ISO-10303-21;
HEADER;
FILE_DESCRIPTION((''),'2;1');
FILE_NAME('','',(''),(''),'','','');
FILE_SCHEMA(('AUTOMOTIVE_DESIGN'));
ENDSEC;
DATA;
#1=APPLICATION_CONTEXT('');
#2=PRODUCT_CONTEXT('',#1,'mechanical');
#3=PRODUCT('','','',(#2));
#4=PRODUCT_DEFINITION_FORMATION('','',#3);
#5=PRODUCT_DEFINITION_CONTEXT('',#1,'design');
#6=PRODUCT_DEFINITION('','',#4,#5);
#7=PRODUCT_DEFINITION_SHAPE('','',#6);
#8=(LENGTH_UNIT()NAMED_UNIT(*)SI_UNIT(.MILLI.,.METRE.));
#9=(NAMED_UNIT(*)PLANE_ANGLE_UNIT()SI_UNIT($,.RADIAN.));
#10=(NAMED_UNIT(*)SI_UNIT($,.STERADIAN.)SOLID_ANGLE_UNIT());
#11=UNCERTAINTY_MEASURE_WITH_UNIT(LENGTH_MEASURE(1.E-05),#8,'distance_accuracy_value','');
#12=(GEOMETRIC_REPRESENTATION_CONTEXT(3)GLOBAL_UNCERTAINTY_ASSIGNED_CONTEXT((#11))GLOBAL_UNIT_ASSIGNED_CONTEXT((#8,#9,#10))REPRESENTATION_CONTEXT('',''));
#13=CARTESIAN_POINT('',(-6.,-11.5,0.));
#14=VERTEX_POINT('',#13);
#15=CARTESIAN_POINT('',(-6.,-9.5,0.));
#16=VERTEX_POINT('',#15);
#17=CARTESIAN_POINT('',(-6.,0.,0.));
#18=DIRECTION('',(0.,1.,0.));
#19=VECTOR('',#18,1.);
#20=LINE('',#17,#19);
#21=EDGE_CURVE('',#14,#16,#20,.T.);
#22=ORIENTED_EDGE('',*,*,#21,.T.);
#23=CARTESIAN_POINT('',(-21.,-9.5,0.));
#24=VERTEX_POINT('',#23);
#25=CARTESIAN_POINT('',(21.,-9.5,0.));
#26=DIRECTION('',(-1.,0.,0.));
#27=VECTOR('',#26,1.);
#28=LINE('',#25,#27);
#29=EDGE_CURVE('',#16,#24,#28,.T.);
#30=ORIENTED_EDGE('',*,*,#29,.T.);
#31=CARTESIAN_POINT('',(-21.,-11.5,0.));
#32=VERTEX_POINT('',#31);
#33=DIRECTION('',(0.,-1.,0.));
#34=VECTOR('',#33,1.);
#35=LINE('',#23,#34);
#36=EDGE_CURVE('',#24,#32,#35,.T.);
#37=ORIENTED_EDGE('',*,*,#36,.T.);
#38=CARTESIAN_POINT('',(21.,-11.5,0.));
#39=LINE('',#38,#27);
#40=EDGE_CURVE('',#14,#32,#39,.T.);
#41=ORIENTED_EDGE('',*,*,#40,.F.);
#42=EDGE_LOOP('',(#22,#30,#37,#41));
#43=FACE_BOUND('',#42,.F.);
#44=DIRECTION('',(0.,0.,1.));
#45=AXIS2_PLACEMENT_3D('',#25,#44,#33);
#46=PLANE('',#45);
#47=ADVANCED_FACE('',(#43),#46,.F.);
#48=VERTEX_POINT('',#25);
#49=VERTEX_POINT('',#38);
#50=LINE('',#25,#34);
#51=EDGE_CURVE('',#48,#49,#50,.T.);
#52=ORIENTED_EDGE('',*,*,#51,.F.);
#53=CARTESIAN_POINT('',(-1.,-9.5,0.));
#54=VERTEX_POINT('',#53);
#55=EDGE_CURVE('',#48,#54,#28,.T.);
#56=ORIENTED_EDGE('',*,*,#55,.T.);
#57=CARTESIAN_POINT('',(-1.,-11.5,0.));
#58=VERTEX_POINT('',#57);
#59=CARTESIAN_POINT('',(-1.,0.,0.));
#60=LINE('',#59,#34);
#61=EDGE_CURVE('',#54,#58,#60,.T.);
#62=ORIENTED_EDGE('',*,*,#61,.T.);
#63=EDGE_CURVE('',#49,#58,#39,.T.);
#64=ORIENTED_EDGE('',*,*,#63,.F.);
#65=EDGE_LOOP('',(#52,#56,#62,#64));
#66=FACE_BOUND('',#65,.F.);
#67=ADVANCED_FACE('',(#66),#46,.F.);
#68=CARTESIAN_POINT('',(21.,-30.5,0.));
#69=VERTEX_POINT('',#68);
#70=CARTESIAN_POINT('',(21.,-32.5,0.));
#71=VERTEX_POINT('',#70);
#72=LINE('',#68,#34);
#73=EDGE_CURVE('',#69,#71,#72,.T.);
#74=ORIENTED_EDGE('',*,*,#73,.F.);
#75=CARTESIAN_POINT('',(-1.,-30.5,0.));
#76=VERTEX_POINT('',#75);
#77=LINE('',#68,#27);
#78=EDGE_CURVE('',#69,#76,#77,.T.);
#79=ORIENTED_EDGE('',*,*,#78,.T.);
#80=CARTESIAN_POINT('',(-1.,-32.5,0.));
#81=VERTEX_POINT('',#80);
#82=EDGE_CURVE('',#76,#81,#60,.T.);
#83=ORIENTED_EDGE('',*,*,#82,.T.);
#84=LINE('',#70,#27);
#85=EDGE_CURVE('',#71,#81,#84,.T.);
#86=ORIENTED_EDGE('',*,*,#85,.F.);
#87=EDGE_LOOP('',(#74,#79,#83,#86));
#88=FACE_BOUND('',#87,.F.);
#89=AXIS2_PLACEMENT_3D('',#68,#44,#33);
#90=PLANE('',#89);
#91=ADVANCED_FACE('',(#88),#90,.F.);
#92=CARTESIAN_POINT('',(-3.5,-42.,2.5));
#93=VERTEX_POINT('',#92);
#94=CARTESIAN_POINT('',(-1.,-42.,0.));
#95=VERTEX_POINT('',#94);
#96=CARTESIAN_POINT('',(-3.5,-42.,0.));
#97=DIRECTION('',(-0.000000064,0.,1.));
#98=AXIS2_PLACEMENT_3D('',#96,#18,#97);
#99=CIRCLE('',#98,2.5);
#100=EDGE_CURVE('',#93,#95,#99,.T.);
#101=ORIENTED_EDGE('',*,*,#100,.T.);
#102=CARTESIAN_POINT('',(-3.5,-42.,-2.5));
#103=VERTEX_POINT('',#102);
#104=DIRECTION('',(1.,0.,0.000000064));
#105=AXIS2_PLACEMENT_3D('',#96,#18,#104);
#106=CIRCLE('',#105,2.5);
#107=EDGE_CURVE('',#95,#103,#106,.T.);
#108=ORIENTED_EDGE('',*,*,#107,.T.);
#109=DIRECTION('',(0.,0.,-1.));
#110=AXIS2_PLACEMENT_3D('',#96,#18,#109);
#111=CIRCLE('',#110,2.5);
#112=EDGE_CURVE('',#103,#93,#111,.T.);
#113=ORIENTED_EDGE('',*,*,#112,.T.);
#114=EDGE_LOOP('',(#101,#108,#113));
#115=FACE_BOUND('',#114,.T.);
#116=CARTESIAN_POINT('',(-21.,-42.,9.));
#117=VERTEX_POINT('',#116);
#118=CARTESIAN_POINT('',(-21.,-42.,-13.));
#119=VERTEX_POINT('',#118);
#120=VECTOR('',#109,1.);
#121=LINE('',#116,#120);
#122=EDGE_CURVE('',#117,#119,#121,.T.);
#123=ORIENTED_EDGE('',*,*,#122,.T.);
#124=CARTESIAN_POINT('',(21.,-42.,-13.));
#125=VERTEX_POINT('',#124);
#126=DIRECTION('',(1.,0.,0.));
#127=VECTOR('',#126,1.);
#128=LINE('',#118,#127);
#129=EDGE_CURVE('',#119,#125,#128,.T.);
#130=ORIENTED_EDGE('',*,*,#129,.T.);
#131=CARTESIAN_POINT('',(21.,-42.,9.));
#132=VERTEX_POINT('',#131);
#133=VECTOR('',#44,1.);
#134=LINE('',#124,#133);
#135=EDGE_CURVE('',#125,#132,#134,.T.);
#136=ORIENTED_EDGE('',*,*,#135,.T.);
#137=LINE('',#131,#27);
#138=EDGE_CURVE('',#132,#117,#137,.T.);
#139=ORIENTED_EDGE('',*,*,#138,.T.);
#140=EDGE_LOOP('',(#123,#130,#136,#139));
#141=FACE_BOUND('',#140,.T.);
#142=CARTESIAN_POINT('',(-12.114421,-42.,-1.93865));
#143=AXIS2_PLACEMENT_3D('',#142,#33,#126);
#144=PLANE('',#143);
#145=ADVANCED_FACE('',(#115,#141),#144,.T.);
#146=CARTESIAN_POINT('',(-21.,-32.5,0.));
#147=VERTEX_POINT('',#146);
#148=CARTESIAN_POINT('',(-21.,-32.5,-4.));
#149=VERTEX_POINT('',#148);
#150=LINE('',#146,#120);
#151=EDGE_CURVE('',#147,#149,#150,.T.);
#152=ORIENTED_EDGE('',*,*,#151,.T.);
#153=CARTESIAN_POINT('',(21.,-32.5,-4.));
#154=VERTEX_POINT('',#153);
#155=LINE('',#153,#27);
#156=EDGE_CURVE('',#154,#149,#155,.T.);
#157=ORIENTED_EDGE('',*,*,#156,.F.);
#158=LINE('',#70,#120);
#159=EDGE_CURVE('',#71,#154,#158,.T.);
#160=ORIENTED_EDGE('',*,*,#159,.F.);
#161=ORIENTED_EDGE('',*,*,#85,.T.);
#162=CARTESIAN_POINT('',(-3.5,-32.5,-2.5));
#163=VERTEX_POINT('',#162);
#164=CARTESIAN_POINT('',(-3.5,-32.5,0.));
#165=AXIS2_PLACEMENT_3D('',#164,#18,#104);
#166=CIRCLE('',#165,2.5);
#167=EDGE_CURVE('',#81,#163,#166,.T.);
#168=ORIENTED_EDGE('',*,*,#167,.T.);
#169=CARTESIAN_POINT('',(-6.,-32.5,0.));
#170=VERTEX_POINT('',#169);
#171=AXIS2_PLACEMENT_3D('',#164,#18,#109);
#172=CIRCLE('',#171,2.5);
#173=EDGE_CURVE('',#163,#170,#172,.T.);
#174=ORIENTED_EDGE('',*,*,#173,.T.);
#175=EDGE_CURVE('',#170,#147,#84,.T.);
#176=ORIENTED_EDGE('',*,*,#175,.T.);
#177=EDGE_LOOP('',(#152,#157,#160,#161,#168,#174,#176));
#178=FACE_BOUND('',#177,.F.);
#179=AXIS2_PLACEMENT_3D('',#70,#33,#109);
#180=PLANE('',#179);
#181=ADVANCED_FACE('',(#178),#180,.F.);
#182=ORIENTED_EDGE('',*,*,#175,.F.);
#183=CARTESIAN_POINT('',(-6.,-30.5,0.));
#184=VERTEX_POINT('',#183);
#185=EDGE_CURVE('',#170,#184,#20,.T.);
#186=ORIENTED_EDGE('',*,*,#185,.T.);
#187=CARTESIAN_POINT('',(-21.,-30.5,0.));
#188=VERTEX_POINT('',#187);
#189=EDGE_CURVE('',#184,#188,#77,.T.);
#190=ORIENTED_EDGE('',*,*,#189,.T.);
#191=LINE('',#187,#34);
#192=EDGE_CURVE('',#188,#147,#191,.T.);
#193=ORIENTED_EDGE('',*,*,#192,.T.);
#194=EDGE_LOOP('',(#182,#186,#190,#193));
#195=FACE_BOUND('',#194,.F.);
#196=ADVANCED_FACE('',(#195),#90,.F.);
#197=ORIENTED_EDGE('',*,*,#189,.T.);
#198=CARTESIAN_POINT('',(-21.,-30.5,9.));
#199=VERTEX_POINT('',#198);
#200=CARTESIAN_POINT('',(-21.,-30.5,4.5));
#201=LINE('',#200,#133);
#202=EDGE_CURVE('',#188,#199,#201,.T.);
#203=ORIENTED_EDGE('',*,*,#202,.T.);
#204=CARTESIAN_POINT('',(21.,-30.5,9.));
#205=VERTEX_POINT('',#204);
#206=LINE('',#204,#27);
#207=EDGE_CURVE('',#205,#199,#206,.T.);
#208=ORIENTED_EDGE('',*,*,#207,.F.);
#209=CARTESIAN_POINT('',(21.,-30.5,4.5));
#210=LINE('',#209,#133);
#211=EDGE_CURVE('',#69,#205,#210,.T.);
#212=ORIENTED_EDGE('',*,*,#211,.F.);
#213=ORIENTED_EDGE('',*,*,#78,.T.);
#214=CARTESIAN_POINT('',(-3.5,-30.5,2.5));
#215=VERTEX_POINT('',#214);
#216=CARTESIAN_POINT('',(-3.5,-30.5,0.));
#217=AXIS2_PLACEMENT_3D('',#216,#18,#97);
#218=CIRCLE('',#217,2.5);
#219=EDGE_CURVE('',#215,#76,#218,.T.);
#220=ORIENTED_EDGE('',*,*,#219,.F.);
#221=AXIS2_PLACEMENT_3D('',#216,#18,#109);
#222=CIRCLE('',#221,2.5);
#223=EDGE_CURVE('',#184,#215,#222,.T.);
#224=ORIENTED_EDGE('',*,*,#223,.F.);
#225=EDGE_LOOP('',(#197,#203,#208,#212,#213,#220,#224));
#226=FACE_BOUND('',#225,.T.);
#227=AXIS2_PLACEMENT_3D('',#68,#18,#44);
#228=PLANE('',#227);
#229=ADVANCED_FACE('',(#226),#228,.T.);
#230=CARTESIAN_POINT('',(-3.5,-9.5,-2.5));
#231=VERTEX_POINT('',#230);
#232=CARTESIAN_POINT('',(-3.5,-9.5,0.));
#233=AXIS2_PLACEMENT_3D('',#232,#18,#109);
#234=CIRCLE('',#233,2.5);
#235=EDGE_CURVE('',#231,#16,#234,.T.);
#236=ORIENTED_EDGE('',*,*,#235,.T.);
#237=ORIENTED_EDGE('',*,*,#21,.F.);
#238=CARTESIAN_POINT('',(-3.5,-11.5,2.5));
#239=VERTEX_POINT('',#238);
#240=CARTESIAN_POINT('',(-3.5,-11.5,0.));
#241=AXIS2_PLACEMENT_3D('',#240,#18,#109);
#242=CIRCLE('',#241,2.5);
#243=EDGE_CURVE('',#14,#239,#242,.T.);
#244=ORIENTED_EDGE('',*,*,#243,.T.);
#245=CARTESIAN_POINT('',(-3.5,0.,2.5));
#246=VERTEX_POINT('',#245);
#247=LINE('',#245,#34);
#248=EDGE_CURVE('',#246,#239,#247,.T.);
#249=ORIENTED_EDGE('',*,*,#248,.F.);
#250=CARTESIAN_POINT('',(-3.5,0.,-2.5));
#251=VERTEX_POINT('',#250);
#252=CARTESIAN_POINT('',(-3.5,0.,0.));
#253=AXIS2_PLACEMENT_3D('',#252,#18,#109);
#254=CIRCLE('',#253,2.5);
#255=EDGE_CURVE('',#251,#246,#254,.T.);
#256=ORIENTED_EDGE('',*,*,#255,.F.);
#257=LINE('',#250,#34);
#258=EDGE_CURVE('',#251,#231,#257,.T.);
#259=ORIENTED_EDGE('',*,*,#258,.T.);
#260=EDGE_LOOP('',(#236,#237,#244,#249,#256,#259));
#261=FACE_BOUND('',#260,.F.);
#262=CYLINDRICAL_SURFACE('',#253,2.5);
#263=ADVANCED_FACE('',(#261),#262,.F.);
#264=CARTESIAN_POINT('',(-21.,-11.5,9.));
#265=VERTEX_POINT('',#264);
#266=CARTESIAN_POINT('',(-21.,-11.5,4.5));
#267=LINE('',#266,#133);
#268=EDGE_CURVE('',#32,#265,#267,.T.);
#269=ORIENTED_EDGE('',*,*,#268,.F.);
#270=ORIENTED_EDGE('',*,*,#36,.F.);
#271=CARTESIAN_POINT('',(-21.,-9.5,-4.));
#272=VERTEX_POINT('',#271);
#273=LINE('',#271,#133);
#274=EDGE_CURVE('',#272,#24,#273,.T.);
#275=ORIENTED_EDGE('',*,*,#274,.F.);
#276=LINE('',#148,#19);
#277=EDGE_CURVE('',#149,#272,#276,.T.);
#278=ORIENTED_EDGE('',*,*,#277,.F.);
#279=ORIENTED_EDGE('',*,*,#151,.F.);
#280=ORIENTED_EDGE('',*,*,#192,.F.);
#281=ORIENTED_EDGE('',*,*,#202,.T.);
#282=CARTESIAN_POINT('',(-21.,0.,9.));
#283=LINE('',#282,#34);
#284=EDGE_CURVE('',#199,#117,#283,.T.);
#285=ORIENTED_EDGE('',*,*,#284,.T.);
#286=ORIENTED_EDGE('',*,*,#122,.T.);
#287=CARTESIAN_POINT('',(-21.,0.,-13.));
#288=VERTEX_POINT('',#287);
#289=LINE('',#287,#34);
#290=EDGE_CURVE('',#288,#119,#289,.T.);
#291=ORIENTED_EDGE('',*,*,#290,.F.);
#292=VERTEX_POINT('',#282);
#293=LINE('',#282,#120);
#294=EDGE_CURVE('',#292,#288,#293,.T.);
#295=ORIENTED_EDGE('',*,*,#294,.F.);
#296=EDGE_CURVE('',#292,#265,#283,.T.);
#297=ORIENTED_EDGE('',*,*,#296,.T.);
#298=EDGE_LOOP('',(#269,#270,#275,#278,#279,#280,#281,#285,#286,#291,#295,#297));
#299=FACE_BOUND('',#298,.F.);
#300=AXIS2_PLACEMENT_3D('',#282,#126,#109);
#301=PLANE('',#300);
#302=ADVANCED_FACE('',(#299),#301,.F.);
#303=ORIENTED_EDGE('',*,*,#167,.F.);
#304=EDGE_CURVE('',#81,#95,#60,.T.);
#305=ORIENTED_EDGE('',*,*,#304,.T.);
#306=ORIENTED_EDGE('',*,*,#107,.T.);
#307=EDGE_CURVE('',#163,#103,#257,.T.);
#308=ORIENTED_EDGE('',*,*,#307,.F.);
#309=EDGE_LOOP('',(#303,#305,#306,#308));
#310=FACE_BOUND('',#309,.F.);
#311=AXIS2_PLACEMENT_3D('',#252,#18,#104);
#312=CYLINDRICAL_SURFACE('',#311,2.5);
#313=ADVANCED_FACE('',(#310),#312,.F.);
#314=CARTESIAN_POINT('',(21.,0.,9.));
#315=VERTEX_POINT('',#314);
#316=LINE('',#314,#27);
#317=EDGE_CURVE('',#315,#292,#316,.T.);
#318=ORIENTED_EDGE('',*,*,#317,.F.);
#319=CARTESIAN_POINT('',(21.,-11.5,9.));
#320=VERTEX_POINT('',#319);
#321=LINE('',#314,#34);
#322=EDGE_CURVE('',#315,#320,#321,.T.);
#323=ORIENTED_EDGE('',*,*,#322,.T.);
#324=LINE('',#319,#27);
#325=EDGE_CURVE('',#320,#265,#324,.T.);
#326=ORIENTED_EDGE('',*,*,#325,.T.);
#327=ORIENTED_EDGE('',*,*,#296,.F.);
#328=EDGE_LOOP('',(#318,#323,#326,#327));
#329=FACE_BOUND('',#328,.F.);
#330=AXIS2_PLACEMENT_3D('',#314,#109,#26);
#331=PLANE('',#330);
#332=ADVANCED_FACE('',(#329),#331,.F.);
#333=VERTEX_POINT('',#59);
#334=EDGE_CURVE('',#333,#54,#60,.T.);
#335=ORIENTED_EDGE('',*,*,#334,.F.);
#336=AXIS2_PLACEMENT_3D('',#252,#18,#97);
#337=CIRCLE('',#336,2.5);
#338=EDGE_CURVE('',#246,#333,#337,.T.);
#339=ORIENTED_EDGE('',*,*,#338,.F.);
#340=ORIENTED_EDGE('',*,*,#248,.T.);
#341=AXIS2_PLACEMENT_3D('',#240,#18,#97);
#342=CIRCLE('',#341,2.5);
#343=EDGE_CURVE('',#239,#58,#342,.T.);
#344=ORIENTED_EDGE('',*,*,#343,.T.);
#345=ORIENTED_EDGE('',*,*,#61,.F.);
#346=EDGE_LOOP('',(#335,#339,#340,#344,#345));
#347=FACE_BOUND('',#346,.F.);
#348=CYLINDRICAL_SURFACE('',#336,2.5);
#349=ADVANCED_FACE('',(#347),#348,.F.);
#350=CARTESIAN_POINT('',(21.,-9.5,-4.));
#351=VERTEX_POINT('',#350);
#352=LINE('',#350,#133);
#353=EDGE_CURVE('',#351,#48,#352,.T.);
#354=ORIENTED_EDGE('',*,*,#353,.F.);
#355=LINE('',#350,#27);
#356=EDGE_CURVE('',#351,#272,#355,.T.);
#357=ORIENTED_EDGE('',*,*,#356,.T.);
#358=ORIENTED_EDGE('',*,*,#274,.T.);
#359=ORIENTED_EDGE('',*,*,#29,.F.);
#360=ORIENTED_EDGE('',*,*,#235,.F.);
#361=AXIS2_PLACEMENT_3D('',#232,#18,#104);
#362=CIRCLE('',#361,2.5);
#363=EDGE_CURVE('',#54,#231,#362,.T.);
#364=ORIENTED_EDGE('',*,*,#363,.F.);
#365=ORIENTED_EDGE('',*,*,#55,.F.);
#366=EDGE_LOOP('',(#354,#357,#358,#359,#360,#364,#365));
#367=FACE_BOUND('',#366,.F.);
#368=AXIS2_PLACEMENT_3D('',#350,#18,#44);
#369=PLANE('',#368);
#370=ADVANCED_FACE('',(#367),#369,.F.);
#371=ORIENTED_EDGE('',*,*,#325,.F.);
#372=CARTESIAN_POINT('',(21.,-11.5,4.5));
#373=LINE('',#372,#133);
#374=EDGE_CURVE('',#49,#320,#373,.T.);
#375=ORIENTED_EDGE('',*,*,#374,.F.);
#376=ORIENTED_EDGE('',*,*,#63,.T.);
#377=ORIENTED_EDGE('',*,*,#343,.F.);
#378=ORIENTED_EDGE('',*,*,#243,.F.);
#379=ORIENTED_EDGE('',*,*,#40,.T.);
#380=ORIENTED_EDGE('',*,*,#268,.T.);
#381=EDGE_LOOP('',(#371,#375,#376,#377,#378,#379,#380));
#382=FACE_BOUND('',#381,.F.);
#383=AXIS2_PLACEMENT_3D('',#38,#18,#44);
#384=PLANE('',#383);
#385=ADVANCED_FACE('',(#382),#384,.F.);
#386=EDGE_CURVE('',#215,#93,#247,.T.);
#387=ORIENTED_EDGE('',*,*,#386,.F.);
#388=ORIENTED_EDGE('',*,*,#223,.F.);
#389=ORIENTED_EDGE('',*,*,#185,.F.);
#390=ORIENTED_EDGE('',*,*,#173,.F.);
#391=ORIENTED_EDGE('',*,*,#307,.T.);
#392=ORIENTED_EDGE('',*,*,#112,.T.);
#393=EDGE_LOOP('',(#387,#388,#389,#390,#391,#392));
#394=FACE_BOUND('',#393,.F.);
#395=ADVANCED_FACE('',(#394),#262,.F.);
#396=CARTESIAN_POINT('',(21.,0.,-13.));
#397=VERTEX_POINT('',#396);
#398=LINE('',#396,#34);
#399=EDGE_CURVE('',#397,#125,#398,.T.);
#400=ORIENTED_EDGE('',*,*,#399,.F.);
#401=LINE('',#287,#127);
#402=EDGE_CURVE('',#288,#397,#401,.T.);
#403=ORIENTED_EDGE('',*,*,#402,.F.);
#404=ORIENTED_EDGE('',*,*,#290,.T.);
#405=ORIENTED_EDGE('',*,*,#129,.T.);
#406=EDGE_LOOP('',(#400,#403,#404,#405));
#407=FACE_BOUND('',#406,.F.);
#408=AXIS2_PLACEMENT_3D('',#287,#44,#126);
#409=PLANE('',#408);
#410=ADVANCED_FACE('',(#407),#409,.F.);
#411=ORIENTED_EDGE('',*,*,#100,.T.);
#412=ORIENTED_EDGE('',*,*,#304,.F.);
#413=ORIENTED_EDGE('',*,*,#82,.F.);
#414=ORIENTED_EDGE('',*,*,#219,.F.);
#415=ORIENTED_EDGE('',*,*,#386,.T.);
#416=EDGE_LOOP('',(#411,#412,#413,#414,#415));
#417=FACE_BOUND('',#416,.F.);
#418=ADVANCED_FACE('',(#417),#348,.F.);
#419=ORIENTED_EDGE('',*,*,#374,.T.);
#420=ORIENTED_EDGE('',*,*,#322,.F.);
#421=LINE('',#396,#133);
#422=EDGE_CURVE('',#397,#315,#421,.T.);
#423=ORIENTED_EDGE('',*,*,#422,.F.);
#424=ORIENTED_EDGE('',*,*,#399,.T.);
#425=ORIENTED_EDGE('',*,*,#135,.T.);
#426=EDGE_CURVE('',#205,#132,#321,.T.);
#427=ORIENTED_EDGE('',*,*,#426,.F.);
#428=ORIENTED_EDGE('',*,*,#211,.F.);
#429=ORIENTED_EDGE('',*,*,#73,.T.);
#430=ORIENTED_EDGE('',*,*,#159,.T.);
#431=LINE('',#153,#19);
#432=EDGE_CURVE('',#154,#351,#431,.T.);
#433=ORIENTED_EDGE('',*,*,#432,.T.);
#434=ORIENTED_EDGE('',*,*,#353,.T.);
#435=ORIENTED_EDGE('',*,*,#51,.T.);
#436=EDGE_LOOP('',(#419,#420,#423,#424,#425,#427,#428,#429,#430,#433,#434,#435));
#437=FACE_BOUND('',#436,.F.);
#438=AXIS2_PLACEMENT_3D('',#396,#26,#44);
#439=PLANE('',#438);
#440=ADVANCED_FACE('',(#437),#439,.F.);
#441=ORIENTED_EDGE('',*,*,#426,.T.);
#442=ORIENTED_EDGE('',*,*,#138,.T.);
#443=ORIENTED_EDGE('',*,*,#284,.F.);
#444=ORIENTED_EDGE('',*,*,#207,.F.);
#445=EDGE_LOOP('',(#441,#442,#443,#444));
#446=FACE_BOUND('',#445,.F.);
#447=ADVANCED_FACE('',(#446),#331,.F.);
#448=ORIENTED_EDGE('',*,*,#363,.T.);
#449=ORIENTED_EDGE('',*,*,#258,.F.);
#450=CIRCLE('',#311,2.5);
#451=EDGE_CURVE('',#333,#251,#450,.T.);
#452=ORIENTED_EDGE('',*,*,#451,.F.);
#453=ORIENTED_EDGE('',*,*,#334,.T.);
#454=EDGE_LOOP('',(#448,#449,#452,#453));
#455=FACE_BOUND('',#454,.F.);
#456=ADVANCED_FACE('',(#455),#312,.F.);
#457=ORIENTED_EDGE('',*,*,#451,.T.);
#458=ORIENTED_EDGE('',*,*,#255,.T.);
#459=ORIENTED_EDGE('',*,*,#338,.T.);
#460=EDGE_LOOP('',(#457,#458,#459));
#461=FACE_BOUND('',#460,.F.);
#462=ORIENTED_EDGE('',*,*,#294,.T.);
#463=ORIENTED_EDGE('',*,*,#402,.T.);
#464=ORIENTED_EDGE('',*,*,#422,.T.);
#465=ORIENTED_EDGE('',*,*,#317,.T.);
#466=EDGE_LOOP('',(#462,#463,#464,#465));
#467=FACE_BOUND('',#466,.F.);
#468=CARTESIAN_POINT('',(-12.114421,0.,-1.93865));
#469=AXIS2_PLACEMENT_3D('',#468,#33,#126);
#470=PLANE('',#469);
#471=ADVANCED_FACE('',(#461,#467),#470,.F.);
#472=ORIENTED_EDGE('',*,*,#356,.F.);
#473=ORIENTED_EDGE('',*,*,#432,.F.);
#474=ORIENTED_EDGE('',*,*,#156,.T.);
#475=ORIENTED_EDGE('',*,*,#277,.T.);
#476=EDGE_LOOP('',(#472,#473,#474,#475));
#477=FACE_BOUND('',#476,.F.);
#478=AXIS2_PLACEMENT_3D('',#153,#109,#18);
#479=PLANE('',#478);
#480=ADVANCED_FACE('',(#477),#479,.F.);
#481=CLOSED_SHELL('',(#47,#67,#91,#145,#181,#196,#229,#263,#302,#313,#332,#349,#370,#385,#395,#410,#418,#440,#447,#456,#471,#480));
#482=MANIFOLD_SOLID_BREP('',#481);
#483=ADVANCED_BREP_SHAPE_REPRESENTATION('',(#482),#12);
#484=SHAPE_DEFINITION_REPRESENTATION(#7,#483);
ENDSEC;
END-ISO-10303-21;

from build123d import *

# Parameters (mm, degrees)
F1_DEPTH = 42
F2_W     = 9.5
F2_H     = 9
F3_DEPTH = 42


with BuildPart() as f1:
    # F0 (on Front) → F1 (new body)
    with BuildSketch(Plane.XZ):
        with BuildLine():
            Line((-21, -13), (-3.5, -13))
            Line((-3.5, -13), (-3.5, -2.5))
            ThreePointArc((-3.5, -2.5), (-6, 0), (-3.5, 2.5))
            Line((-3.5, 2.5), (-3.5, 9))
            Line((-3.5, 9), (-21, 9))
            Line((-21, 9), (-21, -13))
        make_face()
        with BuildLine():
            Line((-3.5, -13), (21, -13))
            Line((21, -13), (21, 9))
            Line((21, 9), (-3.5, 9))
            Line((-3.5, 9), (-3.5, 2.5))
            ThreePointArc((-3.5, 2.5), (-1.732233, 1.767767), (-1, 0))
            ThreePointArc((-1, 0), (-1.732233, -1.767767), (-3.5, -2.5))
            Line((-3.5, -2.5), (-3.5, -13))
        make_face()
    extrude(amount=F1_DEPTH)

    # F2 (on face) → F3 (cut)
    with BuildSketch(Plane.YZ.offset(21)):
        with Locations((-25.75, 4.5)):
            Rectangle(F2_W, F2_H)
        with Locations((-16.25, 4.5)):
            Rectangle(F2_W, F2_H)
        Polygon((-32.5, -4), (-21, -4), (-21, 0), (-30.5, 0), (-32.5, 0), align=None)
        Polygon((-21, 0), (-21, -4), (-9.5, -4), (-9.5, 0), (-11.5, 0), align=None)
    extrude(amount=-F3_DEPTH, mode=Mode.SUBTRACT)


solid = f1.part
